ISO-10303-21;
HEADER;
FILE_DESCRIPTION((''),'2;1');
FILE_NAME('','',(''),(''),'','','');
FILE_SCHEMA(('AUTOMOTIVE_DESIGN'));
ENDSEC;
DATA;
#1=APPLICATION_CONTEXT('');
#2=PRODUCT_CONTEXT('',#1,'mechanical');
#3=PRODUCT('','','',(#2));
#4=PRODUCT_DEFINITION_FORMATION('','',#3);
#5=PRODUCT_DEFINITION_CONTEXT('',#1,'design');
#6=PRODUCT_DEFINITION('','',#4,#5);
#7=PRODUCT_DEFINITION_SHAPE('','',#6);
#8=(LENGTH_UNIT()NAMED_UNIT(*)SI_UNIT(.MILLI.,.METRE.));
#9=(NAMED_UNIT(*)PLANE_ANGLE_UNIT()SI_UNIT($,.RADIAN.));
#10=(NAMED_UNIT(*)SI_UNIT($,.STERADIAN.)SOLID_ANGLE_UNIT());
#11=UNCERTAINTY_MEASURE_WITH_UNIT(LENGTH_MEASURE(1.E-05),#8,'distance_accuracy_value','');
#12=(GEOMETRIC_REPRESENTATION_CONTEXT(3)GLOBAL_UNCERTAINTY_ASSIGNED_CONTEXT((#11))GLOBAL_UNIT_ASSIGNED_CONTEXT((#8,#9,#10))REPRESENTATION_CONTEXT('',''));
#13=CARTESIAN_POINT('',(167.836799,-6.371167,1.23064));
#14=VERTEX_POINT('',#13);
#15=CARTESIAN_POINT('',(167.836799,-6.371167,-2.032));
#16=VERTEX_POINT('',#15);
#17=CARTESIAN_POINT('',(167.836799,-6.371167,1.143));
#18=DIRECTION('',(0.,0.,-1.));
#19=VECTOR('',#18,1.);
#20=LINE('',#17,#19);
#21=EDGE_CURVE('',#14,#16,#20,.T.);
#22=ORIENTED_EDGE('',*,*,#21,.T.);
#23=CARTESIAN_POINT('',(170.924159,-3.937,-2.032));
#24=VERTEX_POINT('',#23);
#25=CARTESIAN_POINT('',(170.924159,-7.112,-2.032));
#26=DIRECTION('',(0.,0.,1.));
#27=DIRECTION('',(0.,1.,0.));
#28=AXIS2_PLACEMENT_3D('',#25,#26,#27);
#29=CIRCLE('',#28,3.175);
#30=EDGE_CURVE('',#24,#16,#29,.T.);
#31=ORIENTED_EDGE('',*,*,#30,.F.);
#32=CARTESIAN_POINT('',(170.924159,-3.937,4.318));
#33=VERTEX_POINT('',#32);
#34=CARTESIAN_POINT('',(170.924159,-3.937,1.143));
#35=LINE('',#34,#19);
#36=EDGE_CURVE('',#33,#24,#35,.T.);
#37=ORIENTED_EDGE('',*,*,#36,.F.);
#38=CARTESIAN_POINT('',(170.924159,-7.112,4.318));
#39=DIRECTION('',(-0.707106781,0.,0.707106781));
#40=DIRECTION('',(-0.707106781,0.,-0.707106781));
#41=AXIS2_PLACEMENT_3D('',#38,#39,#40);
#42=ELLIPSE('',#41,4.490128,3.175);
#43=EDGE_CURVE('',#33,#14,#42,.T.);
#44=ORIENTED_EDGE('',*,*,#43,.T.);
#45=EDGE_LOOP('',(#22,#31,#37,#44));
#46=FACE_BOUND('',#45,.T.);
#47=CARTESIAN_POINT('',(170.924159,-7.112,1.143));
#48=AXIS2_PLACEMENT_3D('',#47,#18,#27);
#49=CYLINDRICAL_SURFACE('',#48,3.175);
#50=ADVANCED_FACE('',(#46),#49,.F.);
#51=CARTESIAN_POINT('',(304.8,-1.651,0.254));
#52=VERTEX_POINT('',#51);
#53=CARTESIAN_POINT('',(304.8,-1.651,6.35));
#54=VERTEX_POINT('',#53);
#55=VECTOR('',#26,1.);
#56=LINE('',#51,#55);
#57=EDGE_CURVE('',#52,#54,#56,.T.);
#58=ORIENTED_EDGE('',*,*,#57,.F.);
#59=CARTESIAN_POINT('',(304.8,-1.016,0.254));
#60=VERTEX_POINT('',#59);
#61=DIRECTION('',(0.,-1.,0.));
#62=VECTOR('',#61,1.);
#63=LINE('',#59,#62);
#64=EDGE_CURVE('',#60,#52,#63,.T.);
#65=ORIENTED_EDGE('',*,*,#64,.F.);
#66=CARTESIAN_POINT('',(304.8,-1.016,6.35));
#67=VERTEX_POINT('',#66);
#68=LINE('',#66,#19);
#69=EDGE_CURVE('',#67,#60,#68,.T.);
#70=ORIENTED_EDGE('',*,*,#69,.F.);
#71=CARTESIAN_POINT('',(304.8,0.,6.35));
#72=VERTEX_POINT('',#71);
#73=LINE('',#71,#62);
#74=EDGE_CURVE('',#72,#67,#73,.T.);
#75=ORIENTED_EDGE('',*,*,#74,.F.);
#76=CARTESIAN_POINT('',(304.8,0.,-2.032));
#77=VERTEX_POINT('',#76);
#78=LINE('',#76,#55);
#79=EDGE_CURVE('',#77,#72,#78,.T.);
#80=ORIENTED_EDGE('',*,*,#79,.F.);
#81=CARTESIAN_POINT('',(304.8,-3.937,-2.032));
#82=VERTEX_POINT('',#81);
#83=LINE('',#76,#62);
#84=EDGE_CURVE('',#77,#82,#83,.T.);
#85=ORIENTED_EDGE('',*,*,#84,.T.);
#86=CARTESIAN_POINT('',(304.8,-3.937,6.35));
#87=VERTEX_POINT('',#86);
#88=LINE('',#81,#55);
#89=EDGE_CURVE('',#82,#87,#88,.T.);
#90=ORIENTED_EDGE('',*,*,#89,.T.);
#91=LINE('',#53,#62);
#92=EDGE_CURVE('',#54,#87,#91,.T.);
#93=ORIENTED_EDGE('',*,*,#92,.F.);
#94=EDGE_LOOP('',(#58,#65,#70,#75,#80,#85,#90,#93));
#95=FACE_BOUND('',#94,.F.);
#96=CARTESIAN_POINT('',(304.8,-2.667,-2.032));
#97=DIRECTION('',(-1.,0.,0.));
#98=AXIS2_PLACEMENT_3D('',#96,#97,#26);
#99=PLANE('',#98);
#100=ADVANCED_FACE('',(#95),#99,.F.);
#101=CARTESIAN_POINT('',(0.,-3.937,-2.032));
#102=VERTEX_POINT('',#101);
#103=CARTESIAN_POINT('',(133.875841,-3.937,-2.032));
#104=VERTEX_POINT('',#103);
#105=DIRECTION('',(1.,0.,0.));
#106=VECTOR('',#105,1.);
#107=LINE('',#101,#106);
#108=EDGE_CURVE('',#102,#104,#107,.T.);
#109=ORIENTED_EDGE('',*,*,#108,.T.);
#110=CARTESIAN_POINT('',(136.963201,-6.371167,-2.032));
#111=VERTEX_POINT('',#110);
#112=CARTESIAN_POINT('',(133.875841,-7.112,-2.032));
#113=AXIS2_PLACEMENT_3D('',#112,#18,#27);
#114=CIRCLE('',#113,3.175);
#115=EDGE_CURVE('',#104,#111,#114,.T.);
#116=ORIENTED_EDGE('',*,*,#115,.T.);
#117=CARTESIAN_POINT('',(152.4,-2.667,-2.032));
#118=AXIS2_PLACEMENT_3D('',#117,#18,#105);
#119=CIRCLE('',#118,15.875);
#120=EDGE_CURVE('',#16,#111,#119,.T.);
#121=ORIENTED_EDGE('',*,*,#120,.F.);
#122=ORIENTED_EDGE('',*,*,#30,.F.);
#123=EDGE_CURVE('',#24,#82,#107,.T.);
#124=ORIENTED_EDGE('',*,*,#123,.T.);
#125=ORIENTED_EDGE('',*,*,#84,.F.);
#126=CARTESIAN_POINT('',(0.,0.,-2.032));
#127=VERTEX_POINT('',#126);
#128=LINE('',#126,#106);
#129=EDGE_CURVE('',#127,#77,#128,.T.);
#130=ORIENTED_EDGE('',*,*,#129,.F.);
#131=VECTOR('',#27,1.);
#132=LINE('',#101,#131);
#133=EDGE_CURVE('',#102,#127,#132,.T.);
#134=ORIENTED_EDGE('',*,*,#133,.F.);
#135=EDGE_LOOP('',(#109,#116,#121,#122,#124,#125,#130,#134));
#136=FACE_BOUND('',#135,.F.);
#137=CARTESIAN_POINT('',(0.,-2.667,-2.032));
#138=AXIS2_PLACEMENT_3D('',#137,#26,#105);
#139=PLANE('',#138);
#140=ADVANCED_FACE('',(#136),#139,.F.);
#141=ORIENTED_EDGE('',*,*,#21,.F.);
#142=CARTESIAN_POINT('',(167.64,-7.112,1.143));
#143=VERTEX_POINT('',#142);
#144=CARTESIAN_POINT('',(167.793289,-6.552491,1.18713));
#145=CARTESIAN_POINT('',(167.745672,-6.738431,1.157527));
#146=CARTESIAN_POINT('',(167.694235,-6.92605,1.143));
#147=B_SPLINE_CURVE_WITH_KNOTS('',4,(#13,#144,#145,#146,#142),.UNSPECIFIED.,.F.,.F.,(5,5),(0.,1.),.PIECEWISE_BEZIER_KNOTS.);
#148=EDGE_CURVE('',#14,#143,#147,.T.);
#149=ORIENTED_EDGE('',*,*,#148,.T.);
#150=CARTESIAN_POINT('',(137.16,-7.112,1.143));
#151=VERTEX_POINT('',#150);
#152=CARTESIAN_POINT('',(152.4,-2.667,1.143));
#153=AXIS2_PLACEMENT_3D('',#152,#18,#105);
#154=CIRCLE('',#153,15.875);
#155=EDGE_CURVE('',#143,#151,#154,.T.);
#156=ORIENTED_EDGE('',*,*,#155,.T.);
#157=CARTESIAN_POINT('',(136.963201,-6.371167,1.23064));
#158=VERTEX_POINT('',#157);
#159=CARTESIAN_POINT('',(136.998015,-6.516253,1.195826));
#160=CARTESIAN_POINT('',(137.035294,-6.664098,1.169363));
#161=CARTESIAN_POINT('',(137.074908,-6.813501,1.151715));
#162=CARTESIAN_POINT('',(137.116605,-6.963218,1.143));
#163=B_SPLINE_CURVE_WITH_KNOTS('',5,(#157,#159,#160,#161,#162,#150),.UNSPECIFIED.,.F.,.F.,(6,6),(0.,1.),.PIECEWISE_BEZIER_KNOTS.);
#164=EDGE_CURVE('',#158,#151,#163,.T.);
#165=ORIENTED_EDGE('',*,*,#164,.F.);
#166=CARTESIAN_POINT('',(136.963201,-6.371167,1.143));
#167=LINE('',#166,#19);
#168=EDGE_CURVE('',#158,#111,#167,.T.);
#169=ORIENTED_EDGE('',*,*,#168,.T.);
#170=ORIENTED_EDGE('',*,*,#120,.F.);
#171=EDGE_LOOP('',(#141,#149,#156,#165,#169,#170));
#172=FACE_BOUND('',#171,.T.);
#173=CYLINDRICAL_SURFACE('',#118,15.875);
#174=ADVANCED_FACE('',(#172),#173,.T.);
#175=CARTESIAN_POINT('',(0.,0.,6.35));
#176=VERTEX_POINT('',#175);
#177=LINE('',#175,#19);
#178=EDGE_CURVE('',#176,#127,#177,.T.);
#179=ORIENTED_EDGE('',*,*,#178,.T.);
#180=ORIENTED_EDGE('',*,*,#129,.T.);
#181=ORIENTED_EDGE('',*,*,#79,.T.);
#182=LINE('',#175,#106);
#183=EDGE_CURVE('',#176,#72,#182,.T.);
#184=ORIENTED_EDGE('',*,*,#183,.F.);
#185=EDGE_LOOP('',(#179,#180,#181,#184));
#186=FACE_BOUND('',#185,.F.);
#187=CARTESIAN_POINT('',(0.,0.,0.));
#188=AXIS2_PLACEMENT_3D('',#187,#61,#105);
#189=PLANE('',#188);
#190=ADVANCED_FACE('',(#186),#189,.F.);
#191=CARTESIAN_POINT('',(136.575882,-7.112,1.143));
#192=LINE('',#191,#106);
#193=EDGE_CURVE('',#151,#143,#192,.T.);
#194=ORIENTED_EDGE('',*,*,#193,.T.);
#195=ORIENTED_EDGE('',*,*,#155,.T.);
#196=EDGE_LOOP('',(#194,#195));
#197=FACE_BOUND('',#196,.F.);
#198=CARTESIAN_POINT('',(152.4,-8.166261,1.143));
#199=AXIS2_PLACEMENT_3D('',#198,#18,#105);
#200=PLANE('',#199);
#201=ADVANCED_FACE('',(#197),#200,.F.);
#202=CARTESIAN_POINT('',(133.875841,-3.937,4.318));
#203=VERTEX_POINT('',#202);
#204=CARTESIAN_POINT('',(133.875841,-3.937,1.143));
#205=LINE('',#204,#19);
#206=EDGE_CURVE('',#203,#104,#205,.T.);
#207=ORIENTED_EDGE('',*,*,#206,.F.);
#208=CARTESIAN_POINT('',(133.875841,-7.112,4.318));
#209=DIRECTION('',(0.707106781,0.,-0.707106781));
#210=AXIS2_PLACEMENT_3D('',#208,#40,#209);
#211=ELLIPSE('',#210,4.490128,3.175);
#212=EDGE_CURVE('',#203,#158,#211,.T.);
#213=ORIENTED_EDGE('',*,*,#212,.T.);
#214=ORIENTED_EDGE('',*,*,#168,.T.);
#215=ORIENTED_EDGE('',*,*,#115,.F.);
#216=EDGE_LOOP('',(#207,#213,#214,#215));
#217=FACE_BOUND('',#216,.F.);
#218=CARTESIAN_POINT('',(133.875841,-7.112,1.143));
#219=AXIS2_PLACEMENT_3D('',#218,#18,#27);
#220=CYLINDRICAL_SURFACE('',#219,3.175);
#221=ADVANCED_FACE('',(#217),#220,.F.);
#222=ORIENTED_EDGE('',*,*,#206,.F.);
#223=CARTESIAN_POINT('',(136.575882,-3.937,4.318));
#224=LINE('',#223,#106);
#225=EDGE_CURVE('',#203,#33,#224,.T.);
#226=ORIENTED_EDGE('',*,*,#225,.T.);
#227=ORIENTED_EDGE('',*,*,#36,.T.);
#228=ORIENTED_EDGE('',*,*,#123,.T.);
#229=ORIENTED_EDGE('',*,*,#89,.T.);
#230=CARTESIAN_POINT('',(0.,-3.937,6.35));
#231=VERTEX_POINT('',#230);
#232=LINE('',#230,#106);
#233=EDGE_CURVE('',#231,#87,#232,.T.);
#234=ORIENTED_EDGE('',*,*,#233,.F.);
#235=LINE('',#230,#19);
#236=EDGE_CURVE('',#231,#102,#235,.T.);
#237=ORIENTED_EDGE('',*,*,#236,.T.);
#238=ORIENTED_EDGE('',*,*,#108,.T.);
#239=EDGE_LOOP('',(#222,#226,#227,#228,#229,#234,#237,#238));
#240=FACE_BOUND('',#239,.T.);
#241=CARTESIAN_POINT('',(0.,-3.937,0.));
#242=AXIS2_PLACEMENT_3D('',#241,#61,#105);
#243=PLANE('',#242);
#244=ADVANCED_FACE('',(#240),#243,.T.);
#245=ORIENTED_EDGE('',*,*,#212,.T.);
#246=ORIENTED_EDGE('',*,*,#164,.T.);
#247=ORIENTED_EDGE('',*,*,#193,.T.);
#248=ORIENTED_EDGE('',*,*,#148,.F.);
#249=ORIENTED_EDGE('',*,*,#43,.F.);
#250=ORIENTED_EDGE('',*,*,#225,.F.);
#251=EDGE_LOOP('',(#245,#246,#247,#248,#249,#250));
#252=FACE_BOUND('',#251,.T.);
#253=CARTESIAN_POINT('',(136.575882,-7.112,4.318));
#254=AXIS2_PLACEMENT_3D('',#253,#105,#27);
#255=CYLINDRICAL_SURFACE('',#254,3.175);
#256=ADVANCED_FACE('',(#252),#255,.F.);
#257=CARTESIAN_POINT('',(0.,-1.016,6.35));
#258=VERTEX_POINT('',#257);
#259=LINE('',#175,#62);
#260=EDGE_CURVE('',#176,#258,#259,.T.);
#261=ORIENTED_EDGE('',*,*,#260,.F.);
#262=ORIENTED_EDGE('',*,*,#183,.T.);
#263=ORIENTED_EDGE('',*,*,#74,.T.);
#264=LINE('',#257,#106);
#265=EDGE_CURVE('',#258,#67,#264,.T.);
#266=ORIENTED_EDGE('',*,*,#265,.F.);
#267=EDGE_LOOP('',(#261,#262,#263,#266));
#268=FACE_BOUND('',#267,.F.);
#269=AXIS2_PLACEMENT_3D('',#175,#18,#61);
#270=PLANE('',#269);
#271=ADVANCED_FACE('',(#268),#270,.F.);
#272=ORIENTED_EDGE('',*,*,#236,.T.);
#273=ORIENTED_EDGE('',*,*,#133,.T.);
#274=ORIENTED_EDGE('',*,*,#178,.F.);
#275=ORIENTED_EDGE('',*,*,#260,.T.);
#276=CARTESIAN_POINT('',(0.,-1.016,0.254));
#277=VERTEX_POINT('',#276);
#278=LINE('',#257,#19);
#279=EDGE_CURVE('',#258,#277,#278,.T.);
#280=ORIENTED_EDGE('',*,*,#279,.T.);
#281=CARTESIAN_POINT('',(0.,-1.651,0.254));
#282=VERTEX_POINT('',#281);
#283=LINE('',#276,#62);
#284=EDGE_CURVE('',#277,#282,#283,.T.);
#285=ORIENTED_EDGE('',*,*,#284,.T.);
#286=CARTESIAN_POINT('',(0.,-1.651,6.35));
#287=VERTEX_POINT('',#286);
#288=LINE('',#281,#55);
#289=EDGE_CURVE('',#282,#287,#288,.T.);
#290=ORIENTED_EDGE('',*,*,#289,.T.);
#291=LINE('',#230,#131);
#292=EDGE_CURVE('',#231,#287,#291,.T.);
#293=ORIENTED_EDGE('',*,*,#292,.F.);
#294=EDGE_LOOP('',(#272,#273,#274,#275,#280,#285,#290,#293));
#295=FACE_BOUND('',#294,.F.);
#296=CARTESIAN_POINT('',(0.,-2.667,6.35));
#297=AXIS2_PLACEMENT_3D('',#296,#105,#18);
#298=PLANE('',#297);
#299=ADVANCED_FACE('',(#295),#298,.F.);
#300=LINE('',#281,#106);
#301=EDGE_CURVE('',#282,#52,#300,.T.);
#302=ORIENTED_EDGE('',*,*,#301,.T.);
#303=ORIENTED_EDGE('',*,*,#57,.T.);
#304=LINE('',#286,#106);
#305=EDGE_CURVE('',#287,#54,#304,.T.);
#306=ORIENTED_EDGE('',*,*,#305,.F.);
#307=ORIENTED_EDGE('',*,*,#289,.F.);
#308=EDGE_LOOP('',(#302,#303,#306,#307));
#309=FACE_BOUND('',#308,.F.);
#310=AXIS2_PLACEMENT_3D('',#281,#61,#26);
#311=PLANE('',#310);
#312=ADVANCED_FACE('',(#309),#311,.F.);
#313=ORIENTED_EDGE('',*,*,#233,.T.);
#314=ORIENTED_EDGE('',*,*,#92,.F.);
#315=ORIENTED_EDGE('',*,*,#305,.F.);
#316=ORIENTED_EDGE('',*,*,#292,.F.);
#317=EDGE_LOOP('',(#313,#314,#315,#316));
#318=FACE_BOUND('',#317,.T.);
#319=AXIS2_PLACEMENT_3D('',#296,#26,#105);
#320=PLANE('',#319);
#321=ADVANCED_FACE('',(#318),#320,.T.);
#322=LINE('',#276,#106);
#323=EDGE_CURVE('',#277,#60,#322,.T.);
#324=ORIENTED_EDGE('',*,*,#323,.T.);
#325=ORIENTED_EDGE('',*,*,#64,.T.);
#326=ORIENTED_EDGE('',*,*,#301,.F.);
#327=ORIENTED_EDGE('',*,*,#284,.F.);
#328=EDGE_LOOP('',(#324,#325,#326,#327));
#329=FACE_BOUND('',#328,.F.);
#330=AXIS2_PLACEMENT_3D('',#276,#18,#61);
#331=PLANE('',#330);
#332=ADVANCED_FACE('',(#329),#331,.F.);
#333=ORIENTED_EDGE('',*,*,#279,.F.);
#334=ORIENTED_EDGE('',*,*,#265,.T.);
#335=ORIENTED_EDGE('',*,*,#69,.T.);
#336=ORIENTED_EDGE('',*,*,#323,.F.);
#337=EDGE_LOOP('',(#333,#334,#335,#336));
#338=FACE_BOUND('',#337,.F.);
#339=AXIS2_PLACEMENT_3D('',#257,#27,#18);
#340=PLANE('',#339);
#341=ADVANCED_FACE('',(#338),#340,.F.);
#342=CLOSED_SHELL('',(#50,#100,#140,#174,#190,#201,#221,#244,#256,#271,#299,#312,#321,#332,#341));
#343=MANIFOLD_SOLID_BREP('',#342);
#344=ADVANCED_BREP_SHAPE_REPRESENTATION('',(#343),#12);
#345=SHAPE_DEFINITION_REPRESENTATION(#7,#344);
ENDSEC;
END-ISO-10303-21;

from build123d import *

# Parameters (mm, degrees)
F1_DEPTH = 304.8
F2_DEPTH = 2.032
F4_DEPTH = 1.27
F5_DEPTH = 3.175
F6_R     = 3.175


with BuildPart() as f1:
    # F0 (on Right) → F1 (new body)
    with BuildSketch(Plane.YZ):
        Polygon((-2.667, 0), (0, 0), (0, 6.35), (-1.016, 6.35), (-1.016, 0.254), (-1.651, 0.254), (-1.651, 6.35), (-2.667, 6.35), align=None)
    extrude(amount=F1_DEPTH)

    # F2 (add): a face of the model
    f2_faces = [f1.faces().sort_by_distance(p)[0] for p in [
        (152.4, -1.3335, 0),
    ]]
    extrude(f2_faces, amount=F2_DEPTH)

    # F4 (add): a face of the model
    f4_faces = [f1.faces().sort_by_distance(p)[0] for p in [
        (152.4, -2.667, 2.159),
    ]]
    extrude(f4_faces, amount=F4_DEPTH)

    # F3 (on face) → F5 (join)
    with BuildSketch(Plane(origin=(0, 0, -2.032), x_dir=(1, 0, 0), z_dir=(0, 0, -1))):
        with BuildLine():
            Line((136.525, 2.667), (168.275, 2.667))
            ThreePointArc((168.275, 2.667), (152.4, 18.542), (136.525, 2.667))
        make_face()
    extrude(amount=-F5_DEPTH)

    # F6
    f6_edges = [f1.edges().sort_by_distance(p)[0] for p in [
        (152.4, -3.937, 1.143),
        (136.575882, -3.937, -0.4445),
        (168.224118, -3.937, -0.4445),
    ]]
    fillet(f6_edges, radius=F6_R)


solid = f1.part
